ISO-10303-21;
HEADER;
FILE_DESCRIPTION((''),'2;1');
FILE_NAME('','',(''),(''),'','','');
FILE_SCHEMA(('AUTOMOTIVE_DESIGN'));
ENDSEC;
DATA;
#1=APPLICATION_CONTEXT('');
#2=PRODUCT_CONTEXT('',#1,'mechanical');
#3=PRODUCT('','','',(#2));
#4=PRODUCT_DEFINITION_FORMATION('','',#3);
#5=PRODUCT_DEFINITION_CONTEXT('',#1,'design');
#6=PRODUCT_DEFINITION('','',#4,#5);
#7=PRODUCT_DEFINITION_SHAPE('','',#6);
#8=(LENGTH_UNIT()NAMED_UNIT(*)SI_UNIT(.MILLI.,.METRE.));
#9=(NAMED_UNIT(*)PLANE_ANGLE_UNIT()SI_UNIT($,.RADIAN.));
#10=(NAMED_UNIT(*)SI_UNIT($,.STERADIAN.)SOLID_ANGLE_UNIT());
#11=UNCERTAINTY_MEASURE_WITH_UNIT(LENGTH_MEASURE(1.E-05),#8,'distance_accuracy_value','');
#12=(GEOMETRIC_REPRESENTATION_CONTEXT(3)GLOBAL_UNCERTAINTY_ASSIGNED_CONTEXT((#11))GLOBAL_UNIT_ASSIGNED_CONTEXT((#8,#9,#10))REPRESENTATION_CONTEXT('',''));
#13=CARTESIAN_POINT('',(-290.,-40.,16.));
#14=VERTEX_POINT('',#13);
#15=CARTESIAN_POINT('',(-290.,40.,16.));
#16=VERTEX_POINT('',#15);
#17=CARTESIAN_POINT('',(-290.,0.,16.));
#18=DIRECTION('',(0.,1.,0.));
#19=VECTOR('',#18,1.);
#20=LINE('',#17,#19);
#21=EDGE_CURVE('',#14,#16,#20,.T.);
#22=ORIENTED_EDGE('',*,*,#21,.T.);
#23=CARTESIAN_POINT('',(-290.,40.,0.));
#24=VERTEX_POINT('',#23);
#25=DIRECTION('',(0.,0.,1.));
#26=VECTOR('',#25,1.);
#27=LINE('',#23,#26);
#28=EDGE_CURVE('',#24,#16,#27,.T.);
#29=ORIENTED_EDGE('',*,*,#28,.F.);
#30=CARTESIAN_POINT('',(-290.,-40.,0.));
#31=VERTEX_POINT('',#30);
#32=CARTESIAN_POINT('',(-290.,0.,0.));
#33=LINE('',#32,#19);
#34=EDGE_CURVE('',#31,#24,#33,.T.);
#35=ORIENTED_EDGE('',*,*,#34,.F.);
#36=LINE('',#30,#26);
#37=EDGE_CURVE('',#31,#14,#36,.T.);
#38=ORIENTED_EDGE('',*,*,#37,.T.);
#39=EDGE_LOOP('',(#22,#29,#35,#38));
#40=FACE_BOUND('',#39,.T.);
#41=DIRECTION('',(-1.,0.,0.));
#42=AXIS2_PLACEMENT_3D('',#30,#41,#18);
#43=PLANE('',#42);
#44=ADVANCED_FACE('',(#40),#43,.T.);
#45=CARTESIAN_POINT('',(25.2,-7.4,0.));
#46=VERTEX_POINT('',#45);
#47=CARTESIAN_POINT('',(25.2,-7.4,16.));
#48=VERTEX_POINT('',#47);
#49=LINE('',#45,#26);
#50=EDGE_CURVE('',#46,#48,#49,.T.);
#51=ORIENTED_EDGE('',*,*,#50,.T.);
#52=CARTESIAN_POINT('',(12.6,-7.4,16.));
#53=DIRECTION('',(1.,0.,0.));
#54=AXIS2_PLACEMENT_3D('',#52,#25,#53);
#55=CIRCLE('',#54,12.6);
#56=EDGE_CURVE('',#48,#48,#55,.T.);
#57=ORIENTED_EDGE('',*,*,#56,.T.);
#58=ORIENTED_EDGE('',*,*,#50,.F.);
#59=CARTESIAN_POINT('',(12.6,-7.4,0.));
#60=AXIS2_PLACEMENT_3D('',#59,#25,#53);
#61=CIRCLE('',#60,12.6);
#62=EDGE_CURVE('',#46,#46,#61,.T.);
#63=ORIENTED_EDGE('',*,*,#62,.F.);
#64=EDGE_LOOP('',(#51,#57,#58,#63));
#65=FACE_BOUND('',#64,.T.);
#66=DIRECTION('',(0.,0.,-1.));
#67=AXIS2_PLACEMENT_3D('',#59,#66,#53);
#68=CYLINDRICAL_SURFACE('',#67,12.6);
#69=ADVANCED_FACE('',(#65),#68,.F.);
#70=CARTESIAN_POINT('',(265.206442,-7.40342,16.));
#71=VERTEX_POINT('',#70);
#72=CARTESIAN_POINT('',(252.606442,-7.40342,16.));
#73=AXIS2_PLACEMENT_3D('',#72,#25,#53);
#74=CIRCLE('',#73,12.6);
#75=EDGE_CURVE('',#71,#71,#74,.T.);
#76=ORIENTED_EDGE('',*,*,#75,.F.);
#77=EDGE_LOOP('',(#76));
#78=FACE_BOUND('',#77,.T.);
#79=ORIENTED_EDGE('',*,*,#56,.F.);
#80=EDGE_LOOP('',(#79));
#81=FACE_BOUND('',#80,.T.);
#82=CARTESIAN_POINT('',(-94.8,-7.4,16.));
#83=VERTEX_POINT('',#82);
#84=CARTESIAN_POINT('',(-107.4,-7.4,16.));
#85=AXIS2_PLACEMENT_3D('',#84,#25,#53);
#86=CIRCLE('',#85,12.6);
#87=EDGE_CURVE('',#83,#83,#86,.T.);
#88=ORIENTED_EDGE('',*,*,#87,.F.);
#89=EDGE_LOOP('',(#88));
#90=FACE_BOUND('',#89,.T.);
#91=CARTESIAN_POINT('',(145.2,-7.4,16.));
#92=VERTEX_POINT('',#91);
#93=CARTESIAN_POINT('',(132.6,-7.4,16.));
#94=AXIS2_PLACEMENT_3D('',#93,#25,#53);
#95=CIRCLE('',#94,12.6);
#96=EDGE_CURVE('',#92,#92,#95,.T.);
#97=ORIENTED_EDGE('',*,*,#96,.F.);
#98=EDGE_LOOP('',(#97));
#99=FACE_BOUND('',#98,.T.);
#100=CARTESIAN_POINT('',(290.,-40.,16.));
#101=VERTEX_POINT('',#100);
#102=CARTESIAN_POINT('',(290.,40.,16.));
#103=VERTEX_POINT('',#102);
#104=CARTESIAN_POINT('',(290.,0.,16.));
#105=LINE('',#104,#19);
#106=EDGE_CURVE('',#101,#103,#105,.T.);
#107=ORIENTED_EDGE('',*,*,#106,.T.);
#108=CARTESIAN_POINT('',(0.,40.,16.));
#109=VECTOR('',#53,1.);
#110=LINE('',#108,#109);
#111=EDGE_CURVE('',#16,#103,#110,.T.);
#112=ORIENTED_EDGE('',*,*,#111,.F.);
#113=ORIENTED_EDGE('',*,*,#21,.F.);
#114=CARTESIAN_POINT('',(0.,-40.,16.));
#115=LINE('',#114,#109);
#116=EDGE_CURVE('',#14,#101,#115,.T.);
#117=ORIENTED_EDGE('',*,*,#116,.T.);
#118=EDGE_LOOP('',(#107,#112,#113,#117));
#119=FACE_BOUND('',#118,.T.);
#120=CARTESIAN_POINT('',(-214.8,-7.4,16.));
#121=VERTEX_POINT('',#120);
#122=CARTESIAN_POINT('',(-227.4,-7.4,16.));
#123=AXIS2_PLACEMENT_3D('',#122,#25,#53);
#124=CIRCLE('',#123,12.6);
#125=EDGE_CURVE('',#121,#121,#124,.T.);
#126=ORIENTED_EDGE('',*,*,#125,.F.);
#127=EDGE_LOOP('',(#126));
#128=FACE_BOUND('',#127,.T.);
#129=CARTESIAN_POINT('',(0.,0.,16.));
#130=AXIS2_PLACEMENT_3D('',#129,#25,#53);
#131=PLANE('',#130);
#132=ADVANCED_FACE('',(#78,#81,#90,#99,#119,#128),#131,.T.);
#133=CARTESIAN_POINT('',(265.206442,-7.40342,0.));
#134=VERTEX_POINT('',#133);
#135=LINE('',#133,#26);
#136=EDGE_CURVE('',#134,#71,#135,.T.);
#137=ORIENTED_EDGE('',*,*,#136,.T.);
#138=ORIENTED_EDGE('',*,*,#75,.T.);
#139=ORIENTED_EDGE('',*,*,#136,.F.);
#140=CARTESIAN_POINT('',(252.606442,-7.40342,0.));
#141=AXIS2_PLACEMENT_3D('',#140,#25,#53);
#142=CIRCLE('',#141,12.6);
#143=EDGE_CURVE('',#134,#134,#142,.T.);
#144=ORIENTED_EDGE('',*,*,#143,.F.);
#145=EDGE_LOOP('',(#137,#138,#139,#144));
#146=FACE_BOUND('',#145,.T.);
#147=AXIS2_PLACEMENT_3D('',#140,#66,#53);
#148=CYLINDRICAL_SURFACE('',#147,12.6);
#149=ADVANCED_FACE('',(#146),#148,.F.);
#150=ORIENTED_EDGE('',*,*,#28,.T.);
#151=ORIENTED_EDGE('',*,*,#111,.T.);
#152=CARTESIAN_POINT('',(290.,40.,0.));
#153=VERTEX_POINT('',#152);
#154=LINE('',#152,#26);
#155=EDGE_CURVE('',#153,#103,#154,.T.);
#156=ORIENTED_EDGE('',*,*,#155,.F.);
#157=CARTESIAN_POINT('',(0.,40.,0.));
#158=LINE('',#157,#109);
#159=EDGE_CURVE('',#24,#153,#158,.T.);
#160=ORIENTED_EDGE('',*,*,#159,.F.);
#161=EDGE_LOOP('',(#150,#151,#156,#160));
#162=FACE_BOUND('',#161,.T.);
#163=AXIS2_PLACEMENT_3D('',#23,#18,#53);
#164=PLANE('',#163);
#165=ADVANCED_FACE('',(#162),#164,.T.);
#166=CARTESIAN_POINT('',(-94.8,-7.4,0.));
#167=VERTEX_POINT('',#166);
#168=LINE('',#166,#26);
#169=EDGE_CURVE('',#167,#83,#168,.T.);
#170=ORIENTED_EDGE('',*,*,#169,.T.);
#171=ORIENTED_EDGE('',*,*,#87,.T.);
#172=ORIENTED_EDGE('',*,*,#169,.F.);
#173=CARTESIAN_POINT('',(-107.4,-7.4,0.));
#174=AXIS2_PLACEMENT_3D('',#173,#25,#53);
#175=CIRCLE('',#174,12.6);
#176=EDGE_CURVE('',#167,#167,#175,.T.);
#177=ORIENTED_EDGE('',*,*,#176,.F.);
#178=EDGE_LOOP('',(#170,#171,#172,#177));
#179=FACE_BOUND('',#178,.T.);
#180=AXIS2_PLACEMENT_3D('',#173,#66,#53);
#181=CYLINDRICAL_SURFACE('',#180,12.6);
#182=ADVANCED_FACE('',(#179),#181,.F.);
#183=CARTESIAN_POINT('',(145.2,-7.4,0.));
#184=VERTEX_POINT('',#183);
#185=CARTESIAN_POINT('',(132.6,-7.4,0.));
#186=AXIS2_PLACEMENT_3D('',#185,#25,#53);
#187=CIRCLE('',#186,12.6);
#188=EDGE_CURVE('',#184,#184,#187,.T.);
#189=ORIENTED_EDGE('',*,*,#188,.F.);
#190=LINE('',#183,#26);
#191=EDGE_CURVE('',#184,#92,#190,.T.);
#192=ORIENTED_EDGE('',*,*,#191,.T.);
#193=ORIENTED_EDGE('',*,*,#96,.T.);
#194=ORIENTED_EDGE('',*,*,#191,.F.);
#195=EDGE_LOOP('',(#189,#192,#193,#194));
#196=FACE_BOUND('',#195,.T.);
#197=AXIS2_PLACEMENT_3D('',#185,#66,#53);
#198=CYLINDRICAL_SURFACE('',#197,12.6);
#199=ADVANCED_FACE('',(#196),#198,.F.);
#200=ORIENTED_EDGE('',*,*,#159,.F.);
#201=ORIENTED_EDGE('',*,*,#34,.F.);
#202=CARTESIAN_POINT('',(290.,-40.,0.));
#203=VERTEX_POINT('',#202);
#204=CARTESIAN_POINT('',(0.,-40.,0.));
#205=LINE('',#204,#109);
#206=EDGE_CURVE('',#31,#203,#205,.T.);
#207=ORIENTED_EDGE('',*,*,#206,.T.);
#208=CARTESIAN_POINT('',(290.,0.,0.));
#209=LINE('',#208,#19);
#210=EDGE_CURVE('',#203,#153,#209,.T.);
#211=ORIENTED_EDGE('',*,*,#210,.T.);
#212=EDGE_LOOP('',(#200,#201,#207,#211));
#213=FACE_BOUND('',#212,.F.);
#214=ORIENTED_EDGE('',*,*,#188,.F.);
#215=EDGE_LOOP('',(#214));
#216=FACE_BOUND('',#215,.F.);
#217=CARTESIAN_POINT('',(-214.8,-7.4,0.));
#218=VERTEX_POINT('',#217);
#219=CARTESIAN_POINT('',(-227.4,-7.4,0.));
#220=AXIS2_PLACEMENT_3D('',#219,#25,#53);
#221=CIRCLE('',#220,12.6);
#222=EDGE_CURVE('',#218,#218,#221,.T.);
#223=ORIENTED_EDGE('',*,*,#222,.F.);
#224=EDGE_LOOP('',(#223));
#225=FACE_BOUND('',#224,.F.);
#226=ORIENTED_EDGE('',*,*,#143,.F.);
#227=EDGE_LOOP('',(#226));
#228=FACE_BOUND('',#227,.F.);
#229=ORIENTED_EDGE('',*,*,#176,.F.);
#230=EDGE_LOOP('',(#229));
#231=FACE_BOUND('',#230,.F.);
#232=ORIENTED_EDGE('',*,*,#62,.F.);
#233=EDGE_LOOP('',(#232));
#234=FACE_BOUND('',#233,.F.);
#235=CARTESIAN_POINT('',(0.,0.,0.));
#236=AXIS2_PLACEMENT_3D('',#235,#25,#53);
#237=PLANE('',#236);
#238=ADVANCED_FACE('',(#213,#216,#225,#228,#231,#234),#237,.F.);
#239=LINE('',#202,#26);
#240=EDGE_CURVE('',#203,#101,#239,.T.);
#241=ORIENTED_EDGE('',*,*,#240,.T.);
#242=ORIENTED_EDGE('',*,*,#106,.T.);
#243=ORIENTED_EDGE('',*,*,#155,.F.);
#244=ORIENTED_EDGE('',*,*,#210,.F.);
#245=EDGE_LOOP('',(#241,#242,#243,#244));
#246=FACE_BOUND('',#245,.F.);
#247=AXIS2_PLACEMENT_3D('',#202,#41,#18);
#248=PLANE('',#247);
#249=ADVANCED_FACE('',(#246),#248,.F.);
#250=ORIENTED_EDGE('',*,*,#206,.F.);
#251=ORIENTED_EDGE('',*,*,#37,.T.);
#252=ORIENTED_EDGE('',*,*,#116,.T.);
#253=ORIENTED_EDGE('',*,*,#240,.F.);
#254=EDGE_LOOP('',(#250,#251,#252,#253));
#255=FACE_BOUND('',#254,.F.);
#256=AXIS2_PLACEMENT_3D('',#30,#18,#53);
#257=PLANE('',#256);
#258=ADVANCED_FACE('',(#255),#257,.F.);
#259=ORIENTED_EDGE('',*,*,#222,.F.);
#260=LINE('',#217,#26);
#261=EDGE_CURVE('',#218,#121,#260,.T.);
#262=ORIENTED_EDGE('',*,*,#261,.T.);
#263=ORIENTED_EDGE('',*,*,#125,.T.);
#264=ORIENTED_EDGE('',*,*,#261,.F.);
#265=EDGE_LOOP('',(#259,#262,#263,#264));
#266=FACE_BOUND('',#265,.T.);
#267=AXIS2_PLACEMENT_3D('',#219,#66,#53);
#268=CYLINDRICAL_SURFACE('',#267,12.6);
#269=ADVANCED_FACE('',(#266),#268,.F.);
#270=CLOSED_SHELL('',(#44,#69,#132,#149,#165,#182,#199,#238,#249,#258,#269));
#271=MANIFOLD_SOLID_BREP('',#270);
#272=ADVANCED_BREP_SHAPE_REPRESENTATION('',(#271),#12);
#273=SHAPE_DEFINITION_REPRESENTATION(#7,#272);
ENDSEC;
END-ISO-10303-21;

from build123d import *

# Parameters (mm, degrees)
F0_W     = 580
F0_H     = 80
F0_R     = 12.6
F1_DEPTH = 16


with BuildPart() as f1:
    # F0 (on Top) → F1 (new body)
    with BuildSketch(Plane.XY):
        Rectangle(F0_W, F0_H)
        with Locations((-227.4, -7.4)):
            Circle(F0_R, mode=Mode.SUBTRACT)
        with Locations((-107.4, -7.4)):
            Circle(F0_R, mode=Mode.SUBTRACT)
        with Locations((12.6, -7.4)):
            Circle(F0_R, mode=Mode.SUBTRACT)
        with Locations((132.6, -7.4)):
            Circle(F0_R, mode=Mode.SUBTRACT)
        with Locations((252.606442, -7.40342)):
            Circle(F0_R, mode=Mode.SUBTRACT)
    extrude(amount=F1_DEPTH)


solid = f1.part
